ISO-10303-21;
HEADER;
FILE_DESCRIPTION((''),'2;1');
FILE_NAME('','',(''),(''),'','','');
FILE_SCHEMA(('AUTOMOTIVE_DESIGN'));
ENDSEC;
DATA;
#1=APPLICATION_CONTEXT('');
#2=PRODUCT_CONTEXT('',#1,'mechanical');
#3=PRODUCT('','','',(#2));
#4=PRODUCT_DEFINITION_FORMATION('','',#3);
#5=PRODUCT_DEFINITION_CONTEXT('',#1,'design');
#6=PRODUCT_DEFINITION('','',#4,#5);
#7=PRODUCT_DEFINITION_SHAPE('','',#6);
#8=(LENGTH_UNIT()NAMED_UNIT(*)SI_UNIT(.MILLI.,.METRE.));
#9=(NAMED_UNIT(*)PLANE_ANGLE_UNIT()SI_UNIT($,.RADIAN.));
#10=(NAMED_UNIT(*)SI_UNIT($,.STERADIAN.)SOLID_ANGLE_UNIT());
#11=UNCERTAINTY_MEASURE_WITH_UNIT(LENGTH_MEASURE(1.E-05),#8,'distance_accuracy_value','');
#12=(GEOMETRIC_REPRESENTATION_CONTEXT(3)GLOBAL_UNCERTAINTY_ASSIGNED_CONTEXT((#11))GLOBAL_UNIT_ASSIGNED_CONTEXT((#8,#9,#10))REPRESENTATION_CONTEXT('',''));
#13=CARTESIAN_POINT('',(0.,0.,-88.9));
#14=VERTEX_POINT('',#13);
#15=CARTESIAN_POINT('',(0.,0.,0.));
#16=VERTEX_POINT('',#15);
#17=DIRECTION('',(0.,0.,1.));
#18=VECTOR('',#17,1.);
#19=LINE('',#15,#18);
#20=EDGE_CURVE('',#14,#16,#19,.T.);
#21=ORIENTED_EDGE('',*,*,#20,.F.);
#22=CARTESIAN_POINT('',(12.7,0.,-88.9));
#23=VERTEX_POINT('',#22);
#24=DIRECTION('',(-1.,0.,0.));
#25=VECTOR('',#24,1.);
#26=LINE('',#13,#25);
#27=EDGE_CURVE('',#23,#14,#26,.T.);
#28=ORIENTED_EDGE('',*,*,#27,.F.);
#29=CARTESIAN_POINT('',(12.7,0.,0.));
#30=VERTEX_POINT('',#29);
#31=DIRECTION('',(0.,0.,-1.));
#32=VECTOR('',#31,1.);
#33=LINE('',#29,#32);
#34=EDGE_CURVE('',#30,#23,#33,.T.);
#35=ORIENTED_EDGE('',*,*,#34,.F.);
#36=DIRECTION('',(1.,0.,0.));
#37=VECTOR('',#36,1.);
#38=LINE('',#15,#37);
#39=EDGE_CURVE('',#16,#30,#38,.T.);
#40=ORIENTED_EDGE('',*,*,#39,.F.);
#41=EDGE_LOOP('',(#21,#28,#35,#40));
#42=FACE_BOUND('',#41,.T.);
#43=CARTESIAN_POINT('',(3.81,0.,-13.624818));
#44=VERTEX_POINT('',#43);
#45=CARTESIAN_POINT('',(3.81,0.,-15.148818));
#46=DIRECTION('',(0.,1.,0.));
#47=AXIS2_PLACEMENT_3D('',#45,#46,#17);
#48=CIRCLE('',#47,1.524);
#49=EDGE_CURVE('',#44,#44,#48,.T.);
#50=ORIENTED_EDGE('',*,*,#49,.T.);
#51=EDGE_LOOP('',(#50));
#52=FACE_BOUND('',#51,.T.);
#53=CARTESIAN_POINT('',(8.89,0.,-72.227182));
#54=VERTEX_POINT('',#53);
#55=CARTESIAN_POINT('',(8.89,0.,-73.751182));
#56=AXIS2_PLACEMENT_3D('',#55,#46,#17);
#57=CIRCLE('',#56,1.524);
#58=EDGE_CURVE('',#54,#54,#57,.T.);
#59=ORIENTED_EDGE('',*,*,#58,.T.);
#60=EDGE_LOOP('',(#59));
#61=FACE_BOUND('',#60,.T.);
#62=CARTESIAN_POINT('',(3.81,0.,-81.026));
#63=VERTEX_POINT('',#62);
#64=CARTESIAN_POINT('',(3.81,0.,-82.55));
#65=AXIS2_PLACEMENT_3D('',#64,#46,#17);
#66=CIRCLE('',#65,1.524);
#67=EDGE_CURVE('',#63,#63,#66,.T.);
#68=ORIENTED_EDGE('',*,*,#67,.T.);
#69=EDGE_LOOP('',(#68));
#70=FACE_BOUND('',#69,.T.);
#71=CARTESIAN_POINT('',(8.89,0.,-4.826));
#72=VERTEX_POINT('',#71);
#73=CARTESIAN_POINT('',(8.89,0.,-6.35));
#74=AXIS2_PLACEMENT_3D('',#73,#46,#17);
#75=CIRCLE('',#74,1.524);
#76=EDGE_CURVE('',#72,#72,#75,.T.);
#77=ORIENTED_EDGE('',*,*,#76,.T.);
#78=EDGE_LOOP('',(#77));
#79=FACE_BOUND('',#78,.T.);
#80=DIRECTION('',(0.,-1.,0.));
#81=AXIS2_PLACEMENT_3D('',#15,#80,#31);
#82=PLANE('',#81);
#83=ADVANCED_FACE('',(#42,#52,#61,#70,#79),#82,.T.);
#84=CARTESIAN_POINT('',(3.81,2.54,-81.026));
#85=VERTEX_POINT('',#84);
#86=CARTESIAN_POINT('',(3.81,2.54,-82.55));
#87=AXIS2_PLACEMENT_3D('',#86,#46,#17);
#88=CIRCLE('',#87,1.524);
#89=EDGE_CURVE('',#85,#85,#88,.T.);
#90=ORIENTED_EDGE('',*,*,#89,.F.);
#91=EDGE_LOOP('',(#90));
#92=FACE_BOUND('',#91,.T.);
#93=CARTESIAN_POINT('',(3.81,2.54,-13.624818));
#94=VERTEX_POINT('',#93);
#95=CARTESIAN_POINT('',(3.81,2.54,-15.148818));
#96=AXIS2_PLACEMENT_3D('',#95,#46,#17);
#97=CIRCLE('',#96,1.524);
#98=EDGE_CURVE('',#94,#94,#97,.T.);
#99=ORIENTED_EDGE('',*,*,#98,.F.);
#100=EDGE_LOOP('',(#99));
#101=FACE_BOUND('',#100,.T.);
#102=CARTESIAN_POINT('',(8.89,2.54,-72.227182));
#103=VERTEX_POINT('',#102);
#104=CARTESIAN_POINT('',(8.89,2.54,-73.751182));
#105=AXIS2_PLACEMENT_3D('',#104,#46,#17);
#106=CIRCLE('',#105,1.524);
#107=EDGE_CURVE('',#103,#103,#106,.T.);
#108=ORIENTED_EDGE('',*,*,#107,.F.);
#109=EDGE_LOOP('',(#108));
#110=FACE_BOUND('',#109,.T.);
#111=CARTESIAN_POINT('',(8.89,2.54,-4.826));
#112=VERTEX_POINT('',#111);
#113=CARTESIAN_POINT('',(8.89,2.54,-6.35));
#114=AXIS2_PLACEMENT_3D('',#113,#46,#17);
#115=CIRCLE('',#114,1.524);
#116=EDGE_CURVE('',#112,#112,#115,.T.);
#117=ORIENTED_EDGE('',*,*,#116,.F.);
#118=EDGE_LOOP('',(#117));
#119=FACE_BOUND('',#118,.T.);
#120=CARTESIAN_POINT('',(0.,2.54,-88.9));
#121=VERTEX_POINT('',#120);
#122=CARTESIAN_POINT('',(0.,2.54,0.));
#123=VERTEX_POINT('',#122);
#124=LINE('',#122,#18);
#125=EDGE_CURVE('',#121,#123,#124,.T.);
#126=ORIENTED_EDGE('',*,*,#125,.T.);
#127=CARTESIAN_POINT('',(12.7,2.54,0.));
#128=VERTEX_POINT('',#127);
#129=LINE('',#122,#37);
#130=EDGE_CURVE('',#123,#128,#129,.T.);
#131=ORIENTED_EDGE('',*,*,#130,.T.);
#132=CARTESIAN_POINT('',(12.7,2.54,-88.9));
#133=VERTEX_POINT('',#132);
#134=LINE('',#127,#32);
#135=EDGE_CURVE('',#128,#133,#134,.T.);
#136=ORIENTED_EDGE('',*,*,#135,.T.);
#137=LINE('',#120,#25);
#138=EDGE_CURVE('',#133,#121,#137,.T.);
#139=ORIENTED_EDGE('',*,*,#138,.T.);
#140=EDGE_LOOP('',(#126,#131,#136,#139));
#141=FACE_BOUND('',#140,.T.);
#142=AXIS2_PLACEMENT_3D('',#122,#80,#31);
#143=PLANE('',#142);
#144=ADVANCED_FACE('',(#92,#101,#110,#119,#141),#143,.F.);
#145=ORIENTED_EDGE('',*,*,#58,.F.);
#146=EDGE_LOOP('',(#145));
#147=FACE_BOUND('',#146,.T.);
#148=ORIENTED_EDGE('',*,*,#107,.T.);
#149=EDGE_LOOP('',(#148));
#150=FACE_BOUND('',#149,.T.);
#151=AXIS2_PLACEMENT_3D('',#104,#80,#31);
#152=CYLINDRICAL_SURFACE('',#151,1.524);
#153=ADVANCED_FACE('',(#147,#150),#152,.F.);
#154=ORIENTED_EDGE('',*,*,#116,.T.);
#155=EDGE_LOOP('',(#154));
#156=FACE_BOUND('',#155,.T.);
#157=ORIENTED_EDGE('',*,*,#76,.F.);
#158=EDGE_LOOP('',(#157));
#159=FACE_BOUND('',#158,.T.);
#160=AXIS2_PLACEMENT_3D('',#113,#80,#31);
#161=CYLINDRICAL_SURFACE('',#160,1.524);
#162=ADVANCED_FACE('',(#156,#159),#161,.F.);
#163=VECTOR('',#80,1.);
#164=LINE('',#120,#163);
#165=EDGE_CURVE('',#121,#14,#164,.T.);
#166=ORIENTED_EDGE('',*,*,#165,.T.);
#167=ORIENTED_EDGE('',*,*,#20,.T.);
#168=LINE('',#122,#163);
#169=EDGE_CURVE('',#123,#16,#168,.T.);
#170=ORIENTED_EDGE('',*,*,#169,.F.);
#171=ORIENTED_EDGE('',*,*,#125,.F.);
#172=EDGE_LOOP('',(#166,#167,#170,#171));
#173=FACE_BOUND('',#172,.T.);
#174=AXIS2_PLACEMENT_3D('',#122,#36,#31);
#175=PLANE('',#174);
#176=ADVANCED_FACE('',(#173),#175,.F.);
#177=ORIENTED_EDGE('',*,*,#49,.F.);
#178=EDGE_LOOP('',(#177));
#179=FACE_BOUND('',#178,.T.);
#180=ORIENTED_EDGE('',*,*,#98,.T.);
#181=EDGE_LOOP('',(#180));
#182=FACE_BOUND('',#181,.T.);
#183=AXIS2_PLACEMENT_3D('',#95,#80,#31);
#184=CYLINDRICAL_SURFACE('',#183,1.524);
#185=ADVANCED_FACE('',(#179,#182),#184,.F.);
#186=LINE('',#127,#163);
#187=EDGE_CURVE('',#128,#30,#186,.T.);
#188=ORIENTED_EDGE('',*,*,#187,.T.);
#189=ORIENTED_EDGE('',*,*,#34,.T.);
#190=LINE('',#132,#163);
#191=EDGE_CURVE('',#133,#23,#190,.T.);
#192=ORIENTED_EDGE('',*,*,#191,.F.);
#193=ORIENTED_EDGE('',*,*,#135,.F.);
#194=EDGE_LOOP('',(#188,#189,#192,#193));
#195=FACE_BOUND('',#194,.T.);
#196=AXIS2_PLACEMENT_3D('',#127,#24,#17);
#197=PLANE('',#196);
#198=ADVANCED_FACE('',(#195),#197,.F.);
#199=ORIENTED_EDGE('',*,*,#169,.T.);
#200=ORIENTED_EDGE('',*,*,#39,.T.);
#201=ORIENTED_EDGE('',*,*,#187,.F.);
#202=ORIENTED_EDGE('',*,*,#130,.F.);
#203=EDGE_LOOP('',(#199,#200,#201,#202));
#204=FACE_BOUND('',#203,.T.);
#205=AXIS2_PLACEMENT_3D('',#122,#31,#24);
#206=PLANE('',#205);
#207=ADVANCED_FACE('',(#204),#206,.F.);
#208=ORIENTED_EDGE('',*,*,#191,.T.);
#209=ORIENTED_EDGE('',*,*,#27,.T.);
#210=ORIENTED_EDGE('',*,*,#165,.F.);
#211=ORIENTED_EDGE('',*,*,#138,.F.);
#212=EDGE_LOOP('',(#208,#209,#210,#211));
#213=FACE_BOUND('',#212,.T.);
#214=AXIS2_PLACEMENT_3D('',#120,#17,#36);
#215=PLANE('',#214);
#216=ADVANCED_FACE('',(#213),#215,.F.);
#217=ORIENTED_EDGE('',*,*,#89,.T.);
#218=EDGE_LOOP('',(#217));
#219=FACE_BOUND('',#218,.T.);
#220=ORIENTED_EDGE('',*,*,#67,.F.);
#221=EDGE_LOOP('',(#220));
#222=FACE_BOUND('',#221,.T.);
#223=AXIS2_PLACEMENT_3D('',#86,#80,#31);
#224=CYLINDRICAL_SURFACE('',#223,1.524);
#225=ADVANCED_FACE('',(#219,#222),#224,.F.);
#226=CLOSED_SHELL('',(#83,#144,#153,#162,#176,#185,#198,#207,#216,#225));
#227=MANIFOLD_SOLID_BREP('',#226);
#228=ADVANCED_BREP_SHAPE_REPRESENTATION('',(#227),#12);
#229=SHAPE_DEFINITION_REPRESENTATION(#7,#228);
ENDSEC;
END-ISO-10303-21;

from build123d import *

# Parameters (mm, degrees)
SKETCH1_W           = 12.7
SKETCH1_H           = 88.9
SKETCH1_R           = 1.524
BOSS_EXTRUDE1_DEPTH = 2.54


with BuildPart() as part:
    # Sketch1 → Boss-Extrude1 (new body)
    with BuildSketch(Plane(origin=(0, 0, 0), x_dir=(1, 0, 0), z_dir=(0, 1, 0))):
        with Locations((6.35, 44.45)):
            Rectangle(SKETCH1_W, SKETCH1_H)
        with Locations(Location((3.81, 82.55, 0), (0, 0, 270))):
            Circle(SKETCH1_R, mode=Mode.SUBTRACT)
        with Locations(Location((8.89, 73.751181898, 0), (0, 0, 270))):
            Circle(SKETCH1_R, mode=Mode.SUBTRACT)
        with Locations(Location((3.81, 15.148818102, 0), (0, 0, 270))):
            Circle(SKETCH1_R, mode=Mode.SUBTRACT)
        with Locations(Location((8.89, 6.35, 0), (0, 0, 270))):
            Circle(SKETCH1_R, mode=Mode.SUBTRACT)
    extrude(amount=BOSS_EXTRUDE1_DEPTH)


solid = part.part
